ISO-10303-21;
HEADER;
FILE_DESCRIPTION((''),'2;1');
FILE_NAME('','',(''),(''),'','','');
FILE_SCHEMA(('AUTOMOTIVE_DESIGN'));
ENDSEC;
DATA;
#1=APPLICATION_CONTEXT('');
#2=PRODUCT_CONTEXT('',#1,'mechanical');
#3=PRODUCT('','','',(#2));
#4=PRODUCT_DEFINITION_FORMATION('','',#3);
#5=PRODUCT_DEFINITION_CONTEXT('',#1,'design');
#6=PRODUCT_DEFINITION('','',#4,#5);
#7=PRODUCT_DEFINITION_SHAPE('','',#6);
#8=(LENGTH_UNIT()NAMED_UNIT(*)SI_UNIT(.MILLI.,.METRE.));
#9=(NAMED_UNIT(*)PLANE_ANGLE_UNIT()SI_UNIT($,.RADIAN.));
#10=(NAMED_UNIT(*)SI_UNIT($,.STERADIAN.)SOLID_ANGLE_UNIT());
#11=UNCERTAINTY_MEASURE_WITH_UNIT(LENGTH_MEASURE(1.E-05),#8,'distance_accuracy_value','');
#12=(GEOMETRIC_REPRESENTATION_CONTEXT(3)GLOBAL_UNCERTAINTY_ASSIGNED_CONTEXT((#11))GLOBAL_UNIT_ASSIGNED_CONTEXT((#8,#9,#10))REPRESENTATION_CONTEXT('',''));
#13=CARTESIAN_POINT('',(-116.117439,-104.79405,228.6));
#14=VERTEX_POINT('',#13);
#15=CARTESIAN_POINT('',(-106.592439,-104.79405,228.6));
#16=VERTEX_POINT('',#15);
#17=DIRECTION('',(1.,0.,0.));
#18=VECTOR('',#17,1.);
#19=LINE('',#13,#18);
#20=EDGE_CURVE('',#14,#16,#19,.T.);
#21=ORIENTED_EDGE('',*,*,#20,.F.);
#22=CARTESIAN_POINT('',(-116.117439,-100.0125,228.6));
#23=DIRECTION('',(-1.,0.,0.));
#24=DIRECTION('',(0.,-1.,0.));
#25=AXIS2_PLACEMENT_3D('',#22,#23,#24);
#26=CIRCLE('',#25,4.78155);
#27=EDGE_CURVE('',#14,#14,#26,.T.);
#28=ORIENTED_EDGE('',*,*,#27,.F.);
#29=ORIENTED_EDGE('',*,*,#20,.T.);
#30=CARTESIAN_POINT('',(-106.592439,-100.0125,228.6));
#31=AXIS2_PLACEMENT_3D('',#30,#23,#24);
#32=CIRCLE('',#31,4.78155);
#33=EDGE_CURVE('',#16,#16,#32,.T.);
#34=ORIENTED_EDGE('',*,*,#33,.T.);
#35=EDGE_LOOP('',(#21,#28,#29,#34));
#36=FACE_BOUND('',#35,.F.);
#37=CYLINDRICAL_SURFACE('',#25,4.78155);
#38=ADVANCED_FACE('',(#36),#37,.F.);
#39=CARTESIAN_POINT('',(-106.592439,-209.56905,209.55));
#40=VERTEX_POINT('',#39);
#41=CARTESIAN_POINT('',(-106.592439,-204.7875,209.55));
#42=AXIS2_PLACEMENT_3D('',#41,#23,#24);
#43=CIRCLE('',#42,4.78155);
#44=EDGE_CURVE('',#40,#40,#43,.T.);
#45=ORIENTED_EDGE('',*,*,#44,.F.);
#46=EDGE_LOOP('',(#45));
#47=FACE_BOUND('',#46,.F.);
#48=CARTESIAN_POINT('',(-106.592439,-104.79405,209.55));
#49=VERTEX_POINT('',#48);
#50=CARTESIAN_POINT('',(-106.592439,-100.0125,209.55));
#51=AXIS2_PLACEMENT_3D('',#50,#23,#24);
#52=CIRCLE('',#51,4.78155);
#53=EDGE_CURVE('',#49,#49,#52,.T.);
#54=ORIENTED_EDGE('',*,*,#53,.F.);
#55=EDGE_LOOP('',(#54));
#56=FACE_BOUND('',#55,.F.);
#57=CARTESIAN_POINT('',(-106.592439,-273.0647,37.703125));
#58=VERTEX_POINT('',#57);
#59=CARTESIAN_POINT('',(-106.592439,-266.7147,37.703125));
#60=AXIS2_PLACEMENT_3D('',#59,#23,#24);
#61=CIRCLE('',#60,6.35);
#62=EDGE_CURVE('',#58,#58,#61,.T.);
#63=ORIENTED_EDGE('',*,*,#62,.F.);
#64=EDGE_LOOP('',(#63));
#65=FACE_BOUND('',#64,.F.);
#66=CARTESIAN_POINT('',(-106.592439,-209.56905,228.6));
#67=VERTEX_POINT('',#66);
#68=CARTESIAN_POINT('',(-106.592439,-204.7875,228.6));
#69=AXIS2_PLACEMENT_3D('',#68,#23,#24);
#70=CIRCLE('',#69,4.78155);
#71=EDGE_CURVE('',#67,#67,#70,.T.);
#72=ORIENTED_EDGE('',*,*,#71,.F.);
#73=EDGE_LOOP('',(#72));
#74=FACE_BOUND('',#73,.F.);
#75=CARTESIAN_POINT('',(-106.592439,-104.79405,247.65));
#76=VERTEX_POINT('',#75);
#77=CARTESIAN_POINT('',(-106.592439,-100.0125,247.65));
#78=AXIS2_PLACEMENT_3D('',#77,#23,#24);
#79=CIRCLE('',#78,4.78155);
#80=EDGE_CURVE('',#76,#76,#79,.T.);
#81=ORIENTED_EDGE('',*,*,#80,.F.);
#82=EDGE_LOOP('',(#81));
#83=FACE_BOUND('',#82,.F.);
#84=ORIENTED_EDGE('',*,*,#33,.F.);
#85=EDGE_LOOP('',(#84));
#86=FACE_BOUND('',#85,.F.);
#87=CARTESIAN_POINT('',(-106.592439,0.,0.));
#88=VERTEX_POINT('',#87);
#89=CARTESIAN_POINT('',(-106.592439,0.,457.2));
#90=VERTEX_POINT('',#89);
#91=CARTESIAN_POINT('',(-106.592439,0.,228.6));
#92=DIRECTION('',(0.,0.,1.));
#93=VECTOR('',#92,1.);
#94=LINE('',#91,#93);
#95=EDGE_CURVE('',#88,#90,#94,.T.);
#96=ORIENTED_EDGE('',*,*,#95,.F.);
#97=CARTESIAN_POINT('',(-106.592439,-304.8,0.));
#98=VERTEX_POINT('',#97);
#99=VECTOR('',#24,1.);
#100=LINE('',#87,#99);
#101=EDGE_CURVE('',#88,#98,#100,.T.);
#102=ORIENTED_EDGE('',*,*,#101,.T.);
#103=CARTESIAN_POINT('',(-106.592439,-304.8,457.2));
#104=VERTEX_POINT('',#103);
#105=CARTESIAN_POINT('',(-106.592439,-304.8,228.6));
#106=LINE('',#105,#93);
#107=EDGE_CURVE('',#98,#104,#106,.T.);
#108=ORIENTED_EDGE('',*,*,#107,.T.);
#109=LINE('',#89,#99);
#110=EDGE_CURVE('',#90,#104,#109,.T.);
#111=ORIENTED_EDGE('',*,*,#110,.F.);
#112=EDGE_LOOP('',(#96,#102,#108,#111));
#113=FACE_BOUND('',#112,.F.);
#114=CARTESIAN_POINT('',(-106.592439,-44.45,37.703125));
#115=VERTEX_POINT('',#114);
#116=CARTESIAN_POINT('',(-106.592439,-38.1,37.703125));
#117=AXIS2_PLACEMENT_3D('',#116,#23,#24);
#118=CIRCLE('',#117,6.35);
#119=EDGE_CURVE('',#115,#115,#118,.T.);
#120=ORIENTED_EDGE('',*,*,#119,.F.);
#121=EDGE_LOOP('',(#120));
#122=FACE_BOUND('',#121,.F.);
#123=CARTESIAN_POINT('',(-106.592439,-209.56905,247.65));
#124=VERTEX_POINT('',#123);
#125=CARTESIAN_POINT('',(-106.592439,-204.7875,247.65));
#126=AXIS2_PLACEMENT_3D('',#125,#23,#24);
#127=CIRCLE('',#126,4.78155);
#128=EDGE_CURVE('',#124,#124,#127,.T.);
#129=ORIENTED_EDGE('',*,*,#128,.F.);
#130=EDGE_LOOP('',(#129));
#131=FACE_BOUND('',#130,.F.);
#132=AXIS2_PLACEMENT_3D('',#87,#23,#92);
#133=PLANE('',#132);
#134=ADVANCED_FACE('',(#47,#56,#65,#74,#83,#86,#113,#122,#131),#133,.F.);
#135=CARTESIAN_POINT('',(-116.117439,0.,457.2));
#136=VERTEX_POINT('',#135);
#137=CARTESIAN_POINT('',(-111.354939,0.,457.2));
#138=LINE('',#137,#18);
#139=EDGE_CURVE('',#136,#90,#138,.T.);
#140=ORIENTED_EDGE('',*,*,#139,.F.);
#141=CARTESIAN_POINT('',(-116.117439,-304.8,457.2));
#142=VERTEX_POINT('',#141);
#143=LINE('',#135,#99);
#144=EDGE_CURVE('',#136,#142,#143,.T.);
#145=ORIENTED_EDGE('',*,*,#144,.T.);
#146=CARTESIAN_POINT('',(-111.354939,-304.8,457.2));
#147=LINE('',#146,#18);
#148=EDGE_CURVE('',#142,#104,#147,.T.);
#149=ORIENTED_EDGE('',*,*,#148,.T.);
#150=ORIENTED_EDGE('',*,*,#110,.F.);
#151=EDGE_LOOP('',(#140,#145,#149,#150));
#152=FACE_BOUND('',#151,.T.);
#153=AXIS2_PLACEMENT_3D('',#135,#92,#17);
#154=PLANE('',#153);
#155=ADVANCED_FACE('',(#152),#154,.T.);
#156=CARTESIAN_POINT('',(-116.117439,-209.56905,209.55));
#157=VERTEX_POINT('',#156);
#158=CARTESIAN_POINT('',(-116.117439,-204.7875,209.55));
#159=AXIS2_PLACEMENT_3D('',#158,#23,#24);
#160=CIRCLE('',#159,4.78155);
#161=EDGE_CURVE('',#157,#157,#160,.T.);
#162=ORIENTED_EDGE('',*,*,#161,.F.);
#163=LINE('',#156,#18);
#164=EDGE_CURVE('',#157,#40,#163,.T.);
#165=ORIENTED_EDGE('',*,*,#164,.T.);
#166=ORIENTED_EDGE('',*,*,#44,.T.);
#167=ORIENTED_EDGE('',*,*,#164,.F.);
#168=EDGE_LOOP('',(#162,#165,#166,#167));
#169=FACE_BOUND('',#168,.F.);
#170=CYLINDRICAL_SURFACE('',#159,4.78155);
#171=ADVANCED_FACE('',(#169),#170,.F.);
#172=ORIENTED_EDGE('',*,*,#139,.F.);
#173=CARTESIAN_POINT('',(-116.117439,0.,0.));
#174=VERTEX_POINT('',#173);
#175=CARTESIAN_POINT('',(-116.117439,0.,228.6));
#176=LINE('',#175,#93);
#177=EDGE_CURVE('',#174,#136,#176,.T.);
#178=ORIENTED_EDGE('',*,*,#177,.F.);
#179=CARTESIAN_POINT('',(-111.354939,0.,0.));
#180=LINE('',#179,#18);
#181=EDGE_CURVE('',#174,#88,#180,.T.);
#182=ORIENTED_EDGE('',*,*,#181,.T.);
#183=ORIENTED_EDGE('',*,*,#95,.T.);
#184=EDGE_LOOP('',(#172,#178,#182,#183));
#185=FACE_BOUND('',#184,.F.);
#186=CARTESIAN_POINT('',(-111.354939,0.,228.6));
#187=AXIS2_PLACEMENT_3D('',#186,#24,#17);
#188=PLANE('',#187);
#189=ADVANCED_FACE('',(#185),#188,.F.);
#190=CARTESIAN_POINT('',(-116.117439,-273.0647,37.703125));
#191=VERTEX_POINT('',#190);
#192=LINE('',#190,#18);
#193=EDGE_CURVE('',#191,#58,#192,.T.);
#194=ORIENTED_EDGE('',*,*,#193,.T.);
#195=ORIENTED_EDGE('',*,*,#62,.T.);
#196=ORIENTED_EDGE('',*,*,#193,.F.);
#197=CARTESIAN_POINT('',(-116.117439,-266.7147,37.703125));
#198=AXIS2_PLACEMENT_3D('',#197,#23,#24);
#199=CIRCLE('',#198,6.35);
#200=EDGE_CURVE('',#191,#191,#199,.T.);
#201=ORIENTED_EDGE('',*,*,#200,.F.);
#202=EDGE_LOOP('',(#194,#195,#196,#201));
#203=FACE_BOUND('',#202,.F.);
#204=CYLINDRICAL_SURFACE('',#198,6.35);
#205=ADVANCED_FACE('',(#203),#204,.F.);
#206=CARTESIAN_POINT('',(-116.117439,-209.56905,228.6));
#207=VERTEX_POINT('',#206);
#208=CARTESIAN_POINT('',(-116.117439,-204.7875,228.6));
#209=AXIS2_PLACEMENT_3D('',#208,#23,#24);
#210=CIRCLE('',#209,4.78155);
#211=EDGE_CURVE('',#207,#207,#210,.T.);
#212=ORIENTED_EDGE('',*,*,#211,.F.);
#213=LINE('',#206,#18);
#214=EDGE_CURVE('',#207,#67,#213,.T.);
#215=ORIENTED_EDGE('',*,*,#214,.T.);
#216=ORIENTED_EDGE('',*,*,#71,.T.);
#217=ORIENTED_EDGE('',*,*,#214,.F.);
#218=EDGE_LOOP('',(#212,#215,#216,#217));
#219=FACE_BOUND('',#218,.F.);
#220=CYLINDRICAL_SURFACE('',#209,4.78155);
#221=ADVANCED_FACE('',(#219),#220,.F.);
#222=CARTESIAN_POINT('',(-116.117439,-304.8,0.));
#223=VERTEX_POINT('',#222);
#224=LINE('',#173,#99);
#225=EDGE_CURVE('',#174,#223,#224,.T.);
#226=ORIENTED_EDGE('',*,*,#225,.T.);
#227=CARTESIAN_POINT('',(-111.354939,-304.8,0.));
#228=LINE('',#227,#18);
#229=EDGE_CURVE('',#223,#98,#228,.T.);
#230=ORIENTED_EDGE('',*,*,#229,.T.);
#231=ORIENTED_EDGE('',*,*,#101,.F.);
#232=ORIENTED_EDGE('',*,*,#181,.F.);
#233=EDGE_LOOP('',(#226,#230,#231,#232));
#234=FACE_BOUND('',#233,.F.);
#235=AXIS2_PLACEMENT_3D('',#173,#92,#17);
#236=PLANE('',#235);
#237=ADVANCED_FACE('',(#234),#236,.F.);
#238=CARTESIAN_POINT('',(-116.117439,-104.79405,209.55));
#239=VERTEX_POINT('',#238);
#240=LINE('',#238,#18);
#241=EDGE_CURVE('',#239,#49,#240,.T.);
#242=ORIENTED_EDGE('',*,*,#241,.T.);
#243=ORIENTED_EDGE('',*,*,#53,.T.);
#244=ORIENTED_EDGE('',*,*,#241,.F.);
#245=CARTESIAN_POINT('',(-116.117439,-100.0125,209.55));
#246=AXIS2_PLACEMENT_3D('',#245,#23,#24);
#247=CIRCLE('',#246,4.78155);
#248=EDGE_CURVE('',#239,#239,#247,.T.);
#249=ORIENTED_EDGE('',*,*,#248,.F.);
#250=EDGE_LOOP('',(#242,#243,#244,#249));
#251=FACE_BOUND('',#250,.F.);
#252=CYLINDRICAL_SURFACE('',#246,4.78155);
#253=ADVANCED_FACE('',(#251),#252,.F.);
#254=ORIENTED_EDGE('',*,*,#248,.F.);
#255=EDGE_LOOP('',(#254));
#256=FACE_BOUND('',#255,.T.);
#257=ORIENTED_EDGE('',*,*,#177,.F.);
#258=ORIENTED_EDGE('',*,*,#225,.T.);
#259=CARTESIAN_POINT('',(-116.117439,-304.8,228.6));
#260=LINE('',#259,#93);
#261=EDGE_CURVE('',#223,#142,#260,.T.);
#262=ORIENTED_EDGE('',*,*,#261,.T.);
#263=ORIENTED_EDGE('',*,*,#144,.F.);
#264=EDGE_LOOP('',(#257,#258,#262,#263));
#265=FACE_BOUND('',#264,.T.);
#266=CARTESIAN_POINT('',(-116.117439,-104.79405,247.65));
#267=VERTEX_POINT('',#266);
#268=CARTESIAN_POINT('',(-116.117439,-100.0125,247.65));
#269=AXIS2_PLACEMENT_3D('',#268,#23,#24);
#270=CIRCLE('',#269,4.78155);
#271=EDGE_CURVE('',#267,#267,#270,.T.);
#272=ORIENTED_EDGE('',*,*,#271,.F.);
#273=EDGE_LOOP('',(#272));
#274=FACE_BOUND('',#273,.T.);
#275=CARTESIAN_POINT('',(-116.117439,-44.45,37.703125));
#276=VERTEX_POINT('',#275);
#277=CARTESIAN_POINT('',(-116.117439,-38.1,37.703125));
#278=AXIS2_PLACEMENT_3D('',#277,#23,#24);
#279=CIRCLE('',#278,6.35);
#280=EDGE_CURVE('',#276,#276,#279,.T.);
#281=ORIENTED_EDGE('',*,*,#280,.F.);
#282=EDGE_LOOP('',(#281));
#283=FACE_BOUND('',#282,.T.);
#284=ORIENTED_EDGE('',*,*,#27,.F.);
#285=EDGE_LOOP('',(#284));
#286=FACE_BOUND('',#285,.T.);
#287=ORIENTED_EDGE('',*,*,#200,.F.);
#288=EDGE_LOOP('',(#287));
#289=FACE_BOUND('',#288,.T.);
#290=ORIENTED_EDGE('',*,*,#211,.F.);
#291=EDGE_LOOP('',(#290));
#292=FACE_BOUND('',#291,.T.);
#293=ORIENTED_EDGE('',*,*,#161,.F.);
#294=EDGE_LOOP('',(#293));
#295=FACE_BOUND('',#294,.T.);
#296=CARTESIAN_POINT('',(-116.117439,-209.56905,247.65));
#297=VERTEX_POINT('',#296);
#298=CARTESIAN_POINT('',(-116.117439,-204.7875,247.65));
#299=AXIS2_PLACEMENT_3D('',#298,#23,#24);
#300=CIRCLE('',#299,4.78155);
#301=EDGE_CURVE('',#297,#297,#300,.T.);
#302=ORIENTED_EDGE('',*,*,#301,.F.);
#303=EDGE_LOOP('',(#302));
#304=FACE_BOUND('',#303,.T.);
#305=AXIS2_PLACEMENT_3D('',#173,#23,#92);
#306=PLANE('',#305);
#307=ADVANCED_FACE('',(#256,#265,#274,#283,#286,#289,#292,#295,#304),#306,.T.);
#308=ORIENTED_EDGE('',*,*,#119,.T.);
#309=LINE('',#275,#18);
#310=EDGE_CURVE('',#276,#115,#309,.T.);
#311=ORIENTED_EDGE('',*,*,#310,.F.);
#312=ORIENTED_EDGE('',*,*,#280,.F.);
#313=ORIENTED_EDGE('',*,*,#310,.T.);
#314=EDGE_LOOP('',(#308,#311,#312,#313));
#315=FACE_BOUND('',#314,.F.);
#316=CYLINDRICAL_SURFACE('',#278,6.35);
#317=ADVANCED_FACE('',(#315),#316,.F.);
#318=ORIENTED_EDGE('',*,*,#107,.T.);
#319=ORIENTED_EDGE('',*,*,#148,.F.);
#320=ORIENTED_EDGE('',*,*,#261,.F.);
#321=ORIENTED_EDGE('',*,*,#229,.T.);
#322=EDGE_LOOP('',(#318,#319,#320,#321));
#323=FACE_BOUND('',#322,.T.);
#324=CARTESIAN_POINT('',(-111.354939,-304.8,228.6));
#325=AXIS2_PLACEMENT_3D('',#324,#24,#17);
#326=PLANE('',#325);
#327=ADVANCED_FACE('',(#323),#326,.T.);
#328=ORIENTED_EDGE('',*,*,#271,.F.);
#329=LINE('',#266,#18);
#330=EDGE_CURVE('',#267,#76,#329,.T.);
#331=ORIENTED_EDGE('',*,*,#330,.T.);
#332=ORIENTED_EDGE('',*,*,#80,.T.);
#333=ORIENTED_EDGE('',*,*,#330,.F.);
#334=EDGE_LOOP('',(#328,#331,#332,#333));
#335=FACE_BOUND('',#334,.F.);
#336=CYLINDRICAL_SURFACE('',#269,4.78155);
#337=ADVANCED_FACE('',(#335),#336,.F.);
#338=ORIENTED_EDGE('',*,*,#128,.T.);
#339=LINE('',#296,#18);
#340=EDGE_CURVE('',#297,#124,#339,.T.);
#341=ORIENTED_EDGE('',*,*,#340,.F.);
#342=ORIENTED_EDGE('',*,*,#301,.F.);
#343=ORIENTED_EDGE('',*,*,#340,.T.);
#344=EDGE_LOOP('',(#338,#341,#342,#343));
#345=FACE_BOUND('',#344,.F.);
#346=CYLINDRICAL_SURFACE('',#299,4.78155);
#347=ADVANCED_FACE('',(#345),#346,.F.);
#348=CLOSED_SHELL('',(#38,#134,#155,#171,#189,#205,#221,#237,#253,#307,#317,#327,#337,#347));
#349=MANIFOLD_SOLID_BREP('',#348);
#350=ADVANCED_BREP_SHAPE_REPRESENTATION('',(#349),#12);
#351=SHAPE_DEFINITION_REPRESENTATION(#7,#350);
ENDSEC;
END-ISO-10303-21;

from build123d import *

# Parameters (mm, degrees)
F0_W     = 9.525
F0_H     = 457.2
F1_DEPTH = 304.8
F3_R     = 6.35
F4_DEPTH = 9.526
F5_R     = 4.78155
F6_DEPTH = 9.526


with BuildPart() as f1:
    # F0 (on Front) → F1 (new body)
    with BuildSketch(Plane.XZ):
        with Locations((-111.354939, 228.6)):
            Rectangle(F0_W, F0_H)
    extrude(amount=F1_DEPTH)

    # F3 (on face) → F4 (cut, through all)
    with BuildSketch(Plane(origin=(-116.117439, 0, 0), x_dir=(0, -1, 0), z_dir=(-1, 0, 0))):
        with Locations((38.1, 37.703125)):
            Circle(F3_R)
        with Locations((266.7147, 37.703125)):
            Circle(F3_R)
    extrude(amount=-F4_DEPTH, mode=Mode.SUBTRACT)

    # F5 (on face) → F6 (cut, through all)
    with BuildSketch(Plane(origin=(-116.117439, 0, 0), x_dir=(0, -1, 0), z_dir=(-1, 0, 0))):
        with Locations((100.0125, 247.65)):
            Circle(F5_R)
        with Locations((204.7875, 247.65)):
            Circle(F5_R)
        with Locations((100.0125, 228.6)):
            Circle(F5_R)
        with Locations((204.7875, 228.6)):
            Circle(F5_R)
        with Locations((100.0125, 209.55)):
            Circle(F5_R)
        with Locations((204.7875, 209.55)):
            Circle(F5_R)
    extrude(amount=-F6_DEPTH, mode=Mode.SUBTRACT)


solid = f1.part
